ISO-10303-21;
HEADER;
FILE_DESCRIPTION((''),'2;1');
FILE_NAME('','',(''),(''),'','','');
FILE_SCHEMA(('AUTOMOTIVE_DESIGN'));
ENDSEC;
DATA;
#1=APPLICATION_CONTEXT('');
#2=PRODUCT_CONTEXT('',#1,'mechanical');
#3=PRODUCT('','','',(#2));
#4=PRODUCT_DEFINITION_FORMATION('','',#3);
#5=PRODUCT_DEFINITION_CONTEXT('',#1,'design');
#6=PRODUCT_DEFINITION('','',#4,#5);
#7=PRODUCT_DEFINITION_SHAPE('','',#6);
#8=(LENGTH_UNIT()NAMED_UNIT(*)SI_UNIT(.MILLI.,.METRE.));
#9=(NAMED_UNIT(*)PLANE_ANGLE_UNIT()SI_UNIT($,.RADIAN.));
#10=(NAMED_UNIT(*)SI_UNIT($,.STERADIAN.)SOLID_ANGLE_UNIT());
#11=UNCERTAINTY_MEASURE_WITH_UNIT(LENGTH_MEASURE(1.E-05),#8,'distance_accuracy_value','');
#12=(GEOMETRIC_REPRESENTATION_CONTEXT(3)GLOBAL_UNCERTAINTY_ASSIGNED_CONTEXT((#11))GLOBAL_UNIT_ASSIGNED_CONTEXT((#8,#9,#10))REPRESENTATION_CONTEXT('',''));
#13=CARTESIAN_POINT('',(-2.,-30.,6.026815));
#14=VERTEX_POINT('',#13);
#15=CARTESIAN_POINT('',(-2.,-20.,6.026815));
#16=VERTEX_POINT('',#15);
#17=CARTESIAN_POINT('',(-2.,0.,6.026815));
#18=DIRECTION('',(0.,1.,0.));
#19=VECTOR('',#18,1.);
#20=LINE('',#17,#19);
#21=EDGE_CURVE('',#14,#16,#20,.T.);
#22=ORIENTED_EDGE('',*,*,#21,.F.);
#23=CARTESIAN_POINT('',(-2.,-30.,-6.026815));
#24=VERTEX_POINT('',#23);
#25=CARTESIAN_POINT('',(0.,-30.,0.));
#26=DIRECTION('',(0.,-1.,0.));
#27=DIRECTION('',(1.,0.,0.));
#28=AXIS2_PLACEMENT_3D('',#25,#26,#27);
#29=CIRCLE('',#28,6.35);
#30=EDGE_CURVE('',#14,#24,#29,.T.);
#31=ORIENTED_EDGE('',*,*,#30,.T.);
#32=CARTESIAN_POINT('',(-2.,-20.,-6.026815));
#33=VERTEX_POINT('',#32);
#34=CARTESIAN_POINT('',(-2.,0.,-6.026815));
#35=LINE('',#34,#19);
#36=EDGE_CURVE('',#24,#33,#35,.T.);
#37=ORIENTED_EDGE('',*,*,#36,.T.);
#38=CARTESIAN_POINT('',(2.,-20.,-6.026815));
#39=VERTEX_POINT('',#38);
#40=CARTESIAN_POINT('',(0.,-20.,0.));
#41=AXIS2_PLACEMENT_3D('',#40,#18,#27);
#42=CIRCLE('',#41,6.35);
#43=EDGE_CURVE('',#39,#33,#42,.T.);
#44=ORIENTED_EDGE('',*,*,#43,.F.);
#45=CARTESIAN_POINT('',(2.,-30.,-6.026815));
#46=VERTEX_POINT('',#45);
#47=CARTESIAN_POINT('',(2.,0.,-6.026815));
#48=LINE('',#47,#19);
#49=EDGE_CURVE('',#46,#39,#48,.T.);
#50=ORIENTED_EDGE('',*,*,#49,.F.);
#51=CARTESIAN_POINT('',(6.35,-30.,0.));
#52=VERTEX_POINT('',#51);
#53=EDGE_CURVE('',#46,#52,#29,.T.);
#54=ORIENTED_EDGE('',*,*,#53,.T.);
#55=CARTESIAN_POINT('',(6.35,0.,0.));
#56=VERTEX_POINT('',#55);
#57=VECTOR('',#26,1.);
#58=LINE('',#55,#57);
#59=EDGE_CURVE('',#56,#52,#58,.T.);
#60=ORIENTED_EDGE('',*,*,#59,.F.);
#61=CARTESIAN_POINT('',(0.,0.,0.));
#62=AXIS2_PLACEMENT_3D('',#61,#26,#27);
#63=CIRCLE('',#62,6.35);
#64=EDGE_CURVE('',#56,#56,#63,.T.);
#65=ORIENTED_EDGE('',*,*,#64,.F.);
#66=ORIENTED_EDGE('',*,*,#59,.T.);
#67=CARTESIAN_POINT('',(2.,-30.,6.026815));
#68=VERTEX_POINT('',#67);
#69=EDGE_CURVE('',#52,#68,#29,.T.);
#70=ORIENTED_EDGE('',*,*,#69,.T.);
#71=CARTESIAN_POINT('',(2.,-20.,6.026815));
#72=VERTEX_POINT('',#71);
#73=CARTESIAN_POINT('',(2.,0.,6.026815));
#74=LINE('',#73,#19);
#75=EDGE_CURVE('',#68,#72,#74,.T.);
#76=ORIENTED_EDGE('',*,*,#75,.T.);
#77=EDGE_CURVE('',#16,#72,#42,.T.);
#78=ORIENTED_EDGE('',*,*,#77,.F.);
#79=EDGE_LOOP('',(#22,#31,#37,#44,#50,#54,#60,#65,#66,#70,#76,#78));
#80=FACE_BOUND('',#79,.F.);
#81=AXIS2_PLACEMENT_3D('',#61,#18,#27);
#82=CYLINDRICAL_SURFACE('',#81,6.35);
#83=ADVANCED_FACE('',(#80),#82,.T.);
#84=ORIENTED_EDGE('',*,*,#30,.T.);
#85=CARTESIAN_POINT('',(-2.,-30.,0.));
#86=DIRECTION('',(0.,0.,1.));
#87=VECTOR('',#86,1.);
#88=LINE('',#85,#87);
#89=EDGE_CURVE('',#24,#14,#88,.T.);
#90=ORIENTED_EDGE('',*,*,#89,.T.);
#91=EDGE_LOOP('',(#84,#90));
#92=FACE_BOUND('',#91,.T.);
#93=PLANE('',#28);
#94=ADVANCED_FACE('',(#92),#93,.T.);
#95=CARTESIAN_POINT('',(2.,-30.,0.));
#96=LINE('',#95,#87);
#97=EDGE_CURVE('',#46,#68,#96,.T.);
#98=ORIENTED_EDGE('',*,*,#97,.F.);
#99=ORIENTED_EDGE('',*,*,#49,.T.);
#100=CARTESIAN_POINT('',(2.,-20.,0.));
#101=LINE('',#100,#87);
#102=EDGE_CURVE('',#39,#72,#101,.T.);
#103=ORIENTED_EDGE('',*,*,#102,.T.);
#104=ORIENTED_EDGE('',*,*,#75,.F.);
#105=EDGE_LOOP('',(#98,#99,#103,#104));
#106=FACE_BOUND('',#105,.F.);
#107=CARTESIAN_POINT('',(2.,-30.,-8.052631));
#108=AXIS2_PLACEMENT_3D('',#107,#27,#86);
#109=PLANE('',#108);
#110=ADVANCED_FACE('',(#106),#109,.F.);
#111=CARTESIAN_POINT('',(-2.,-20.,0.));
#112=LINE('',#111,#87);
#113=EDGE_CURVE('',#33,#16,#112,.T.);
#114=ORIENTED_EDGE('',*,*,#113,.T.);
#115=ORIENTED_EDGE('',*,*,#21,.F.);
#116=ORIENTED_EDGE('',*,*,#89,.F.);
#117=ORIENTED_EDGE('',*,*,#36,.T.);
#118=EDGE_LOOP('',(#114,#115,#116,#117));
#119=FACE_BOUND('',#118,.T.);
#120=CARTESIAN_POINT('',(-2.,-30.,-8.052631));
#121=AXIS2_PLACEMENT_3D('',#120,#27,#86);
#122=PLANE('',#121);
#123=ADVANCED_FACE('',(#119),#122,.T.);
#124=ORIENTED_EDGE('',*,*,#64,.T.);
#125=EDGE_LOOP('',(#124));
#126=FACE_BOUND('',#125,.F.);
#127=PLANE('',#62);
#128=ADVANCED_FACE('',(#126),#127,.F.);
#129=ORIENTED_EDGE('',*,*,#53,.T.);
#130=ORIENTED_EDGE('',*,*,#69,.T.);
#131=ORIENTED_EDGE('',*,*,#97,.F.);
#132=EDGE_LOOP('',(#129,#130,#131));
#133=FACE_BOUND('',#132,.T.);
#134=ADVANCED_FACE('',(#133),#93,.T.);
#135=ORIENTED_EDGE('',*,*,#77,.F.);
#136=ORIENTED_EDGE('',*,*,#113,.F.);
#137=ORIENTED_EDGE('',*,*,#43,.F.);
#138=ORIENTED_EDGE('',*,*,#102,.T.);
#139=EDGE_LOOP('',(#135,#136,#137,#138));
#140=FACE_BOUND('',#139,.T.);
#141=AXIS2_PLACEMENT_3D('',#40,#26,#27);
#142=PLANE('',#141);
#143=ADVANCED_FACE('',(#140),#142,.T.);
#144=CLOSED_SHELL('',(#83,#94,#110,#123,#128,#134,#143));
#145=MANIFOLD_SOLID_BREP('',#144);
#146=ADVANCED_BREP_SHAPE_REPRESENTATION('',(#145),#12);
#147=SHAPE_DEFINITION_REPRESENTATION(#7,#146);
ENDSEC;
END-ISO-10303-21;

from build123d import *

# Parameters (mm, degrees)
F0_R     = 6.35
F1_DEPTH = 30
F2_W     = 4
F2_H     = 16.105262
F3_DEPTH = 10


with BuildPart() as f1:
    # F0 (on Front) → F1 (new body)
    with BuildSketch(Plane.XZ):
        Circle(F0_R)
    extrude(amount=F1_DEPTH)

    # F2 (on face) → F3 (cut)
    with BuildSketch(Plane.XZ.offset(30)):
        Rectangle(F2_W, F2_H)
    extrude(amount=-F3_DEPTH, mode=Mode.SUBTRACT)


solid = f1.part
